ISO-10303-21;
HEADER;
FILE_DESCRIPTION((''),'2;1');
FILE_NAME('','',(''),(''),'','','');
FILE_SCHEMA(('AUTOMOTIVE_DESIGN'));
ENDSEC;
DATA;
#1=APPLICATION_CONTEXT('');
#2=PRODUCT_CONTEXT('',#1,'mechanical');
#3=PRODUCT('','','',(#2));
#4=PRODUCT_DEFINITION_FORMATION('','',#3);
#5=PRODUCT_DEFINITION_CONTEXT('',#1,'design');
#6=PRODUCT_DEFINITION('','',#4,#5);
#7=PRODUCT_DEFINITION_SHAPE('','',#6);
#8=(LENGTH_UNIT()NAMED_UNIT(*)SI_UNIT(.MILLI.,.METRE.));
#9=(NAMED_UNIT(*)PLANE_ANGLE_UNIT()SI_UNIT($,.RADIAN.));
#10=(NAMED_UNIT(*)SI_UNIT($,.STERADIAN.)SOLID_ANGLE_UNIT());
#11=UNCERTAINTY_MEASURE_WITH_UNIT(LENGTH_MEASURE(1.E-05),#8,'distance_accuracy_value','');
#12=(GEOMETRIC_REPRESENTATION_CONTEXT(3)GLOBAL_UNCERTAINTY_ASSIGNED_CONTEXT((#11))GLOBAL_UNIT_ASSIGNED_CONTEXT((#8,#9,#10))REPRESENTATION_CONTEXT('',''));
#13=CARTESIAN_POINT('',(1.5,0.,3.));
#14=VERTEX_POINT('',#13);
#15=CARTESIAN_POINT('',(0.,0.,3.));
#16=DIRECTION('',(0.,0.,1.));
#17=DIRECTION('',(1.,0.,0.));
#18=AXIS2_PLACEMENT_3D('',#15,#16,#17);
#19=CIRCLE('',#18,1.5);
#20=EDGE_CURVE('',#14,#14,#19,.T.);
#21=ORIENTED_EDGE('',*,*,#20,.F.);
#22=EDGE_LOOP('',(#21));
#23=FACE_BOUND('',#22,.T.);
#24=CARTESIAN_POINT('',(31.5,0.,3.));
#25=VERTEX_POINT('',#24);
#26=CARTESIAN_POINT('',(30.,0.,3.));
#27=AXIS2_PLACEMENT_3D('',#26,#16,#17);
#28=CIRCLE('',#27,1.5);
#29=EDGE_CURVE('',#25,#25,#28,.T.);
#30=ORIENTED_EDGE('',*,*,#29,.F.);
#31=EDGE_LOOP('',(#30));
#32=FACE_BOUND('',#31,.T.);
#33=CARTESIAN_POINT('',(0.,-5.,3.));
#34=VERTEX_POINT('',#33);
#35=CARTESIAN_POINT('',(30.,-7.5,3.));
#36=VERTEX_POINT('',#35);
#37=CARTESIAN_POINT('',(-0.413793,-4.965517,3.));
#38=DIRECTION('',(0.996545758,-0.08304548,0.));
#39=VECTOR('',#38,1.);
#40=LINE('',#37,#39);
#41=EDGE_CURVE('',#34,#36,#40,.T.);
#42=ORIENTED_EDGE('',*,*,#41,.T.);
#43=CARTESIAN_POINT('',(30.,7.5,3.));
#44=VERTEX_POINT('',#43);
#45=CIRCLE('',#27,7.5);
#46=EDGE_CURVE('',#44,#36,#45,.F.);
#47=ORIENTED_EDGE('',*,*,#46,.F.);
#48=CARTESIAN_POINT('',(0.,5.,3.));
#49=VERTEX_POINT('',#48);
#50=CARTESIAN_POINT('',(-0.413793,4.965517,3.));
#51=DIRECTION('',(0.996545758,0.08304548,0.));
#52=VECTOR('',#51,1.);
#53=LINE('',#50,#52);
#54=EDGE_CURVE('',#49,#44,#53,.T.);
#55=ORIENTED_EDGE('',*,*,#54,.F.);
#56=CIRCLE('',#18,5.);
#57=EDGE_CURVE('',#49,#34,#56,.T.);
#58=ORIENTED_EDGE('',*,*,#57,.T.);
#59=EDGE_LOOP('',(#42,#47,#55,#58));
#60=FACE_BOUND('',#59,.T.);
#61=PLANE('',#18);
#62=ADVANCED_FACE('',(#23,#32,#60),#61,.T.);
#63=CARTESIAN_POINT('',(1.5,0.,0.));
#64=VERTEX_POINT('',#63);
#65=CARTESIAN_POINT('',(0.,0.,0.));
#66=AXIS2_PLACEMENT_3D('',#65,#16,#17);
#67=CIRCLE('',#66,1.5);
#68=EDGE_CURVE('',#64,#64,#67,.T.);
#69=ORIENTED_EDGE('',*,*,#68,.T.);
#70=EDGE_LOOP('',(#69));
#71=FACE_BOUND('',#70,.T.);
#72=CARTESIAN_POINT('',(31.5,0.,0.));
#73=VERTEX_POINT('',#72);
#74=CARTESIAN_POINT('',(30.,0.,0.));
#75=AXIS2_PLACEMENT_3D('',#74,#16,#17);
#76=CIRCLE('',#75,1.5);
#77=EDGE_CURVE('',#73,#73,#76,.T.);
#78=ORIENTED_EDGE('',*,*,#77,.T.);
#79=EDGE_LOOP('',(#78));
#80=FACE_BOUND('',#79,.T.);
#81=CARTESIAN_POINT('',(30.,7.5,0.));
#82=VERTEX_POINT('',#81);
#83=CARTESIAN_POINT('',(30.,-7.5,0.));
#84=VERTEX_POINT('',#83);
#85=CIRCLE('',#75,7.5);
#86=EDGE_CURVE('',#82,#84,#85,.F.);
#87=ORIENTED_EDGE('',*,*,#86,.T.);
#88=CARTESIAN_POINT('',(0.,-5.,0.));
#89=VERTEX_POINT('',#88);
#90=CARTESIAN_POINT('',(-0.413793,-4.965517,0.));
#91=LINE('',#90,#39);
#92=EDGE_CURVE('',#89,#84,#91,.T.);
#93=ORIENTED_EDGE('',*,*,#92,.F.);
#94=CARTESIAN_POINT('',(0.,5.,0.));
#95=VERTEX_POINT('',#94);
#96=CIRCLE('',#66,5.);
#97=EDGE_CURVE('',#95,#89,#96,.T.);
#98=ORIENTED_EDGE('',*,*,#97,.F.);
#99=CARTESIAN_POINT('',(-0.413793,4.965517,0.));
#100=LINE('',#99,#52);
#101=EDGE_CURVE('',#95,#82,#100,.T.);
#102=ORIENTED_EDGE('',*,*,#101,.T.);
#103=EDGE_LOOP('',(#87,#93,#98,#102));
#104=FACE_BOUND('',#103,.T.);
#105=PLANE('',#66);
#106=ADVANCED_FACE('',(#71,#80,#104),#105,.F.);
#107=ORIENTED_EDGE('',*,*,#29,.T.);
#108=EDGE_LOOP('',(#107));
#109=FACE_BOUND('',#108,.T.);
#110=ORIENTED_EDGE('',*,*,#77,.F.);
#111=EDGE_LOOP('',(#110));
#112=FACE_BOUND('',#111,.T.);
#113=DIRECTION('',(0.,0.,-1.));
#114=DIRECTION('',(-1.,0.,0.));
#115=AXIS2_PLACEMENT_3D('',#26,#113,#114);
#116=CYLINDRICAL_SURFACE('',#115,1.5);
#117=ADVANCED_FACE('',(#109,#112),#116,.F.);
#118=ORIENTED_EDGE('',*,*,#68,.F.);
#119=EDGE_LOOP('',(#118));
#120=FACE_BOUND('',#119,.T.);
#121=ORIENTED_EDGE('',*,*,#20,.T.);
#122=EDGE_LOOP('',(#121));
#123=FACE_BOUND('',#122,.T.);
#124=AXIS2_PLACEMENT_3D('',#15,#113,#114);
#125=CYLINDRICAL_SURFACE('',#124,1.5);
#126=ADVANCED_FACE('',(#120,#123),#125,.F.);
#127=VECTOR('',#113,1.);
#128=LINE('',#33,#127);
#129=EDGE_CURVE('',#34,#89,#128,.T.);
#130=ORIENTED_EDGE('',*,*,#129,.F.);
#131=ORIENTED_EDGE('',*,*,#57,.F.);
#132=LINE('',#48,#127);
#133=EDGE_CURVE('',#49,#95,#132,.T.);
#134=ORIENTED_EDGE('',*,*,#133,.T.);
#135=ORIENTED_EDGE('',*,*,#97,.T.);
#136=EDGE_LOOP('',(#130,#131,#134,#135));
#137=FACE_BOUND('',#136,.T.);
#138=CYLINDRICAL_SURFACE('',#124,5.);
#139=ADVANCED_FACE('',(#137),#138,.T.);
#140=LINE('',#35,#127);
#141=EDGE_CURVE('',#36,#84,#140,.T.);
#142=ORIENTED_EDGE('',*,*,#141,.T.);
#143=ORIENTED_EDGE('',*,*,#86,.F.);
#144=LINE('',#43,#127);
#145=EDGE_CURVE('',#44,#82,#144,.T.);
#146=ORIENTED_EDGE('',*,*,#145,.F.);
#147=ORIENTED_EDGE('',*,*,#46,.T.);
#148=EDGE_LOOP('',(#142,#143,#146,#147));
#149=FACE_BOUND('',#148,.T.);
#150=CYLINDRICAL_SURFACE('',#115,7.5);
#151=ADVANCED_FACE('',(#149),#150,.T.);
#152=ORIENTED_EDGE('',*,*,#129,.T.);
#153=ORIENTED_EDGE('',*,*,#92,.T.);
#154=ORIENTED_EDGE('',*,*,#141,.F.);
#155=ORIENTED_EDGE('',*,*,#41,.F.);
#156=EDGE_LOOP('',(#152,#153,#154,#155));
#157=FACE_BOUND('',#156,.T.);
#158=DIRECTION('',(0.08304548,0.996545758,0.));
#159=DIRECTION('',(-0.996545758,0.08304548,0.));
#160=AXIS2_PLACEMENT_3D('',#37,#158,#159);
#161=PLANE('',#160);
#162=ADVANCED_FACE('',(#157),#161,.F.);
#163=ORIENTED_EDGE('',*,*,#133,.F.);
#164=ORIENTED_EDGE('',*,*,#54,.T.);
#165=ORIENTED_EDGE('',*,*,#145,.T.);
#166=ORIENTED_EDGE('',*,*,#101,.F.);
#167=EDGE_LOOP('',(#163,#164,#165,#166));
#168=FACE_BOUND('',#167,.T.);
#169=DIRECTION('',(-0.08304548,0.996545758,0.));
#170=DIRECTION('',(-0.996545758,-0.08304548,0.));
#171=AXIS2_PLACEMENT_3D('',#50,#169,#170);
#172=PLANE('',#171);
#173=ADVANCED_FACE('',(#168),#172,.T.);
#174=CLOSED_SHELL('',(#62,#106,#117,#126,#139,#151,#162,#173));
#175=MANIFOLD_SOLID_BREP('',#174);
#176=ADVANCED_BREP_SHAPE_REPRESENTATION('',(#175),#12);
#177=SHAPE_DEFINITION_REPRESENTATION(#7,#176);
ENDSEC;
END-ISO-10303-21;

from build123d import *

# Parameters (mm, degrees)
SKETCH1_R           = 1.5
BOSS_EXTRUDE1_DEPTH = 3


with BuildPart() as part:
    # Sketch1 → Boss-Extrude1 (new body)
    with BuildSketch(Plane.XY):
        with BuildLine():
            ThreePointArc((30, 7.5), (37.5, 0), (30, -7.5))
            Line((30, -7.5), (0, -5))
            ThreePointArc((0, -5), (-5, 0), (0, 5))
            Line((0, 5), (30, 7.5))
        make_face()
        with Locations((30, 0)):
            Circle(SKETCH1_R, mode=Mode.SUBTRACT)
        Circle(SKETCH1_R, mode=Mode.SUBTRACT)
    extrude(amount=BOSS_EXTRUDE1_DEPTH)


solid = part.part
